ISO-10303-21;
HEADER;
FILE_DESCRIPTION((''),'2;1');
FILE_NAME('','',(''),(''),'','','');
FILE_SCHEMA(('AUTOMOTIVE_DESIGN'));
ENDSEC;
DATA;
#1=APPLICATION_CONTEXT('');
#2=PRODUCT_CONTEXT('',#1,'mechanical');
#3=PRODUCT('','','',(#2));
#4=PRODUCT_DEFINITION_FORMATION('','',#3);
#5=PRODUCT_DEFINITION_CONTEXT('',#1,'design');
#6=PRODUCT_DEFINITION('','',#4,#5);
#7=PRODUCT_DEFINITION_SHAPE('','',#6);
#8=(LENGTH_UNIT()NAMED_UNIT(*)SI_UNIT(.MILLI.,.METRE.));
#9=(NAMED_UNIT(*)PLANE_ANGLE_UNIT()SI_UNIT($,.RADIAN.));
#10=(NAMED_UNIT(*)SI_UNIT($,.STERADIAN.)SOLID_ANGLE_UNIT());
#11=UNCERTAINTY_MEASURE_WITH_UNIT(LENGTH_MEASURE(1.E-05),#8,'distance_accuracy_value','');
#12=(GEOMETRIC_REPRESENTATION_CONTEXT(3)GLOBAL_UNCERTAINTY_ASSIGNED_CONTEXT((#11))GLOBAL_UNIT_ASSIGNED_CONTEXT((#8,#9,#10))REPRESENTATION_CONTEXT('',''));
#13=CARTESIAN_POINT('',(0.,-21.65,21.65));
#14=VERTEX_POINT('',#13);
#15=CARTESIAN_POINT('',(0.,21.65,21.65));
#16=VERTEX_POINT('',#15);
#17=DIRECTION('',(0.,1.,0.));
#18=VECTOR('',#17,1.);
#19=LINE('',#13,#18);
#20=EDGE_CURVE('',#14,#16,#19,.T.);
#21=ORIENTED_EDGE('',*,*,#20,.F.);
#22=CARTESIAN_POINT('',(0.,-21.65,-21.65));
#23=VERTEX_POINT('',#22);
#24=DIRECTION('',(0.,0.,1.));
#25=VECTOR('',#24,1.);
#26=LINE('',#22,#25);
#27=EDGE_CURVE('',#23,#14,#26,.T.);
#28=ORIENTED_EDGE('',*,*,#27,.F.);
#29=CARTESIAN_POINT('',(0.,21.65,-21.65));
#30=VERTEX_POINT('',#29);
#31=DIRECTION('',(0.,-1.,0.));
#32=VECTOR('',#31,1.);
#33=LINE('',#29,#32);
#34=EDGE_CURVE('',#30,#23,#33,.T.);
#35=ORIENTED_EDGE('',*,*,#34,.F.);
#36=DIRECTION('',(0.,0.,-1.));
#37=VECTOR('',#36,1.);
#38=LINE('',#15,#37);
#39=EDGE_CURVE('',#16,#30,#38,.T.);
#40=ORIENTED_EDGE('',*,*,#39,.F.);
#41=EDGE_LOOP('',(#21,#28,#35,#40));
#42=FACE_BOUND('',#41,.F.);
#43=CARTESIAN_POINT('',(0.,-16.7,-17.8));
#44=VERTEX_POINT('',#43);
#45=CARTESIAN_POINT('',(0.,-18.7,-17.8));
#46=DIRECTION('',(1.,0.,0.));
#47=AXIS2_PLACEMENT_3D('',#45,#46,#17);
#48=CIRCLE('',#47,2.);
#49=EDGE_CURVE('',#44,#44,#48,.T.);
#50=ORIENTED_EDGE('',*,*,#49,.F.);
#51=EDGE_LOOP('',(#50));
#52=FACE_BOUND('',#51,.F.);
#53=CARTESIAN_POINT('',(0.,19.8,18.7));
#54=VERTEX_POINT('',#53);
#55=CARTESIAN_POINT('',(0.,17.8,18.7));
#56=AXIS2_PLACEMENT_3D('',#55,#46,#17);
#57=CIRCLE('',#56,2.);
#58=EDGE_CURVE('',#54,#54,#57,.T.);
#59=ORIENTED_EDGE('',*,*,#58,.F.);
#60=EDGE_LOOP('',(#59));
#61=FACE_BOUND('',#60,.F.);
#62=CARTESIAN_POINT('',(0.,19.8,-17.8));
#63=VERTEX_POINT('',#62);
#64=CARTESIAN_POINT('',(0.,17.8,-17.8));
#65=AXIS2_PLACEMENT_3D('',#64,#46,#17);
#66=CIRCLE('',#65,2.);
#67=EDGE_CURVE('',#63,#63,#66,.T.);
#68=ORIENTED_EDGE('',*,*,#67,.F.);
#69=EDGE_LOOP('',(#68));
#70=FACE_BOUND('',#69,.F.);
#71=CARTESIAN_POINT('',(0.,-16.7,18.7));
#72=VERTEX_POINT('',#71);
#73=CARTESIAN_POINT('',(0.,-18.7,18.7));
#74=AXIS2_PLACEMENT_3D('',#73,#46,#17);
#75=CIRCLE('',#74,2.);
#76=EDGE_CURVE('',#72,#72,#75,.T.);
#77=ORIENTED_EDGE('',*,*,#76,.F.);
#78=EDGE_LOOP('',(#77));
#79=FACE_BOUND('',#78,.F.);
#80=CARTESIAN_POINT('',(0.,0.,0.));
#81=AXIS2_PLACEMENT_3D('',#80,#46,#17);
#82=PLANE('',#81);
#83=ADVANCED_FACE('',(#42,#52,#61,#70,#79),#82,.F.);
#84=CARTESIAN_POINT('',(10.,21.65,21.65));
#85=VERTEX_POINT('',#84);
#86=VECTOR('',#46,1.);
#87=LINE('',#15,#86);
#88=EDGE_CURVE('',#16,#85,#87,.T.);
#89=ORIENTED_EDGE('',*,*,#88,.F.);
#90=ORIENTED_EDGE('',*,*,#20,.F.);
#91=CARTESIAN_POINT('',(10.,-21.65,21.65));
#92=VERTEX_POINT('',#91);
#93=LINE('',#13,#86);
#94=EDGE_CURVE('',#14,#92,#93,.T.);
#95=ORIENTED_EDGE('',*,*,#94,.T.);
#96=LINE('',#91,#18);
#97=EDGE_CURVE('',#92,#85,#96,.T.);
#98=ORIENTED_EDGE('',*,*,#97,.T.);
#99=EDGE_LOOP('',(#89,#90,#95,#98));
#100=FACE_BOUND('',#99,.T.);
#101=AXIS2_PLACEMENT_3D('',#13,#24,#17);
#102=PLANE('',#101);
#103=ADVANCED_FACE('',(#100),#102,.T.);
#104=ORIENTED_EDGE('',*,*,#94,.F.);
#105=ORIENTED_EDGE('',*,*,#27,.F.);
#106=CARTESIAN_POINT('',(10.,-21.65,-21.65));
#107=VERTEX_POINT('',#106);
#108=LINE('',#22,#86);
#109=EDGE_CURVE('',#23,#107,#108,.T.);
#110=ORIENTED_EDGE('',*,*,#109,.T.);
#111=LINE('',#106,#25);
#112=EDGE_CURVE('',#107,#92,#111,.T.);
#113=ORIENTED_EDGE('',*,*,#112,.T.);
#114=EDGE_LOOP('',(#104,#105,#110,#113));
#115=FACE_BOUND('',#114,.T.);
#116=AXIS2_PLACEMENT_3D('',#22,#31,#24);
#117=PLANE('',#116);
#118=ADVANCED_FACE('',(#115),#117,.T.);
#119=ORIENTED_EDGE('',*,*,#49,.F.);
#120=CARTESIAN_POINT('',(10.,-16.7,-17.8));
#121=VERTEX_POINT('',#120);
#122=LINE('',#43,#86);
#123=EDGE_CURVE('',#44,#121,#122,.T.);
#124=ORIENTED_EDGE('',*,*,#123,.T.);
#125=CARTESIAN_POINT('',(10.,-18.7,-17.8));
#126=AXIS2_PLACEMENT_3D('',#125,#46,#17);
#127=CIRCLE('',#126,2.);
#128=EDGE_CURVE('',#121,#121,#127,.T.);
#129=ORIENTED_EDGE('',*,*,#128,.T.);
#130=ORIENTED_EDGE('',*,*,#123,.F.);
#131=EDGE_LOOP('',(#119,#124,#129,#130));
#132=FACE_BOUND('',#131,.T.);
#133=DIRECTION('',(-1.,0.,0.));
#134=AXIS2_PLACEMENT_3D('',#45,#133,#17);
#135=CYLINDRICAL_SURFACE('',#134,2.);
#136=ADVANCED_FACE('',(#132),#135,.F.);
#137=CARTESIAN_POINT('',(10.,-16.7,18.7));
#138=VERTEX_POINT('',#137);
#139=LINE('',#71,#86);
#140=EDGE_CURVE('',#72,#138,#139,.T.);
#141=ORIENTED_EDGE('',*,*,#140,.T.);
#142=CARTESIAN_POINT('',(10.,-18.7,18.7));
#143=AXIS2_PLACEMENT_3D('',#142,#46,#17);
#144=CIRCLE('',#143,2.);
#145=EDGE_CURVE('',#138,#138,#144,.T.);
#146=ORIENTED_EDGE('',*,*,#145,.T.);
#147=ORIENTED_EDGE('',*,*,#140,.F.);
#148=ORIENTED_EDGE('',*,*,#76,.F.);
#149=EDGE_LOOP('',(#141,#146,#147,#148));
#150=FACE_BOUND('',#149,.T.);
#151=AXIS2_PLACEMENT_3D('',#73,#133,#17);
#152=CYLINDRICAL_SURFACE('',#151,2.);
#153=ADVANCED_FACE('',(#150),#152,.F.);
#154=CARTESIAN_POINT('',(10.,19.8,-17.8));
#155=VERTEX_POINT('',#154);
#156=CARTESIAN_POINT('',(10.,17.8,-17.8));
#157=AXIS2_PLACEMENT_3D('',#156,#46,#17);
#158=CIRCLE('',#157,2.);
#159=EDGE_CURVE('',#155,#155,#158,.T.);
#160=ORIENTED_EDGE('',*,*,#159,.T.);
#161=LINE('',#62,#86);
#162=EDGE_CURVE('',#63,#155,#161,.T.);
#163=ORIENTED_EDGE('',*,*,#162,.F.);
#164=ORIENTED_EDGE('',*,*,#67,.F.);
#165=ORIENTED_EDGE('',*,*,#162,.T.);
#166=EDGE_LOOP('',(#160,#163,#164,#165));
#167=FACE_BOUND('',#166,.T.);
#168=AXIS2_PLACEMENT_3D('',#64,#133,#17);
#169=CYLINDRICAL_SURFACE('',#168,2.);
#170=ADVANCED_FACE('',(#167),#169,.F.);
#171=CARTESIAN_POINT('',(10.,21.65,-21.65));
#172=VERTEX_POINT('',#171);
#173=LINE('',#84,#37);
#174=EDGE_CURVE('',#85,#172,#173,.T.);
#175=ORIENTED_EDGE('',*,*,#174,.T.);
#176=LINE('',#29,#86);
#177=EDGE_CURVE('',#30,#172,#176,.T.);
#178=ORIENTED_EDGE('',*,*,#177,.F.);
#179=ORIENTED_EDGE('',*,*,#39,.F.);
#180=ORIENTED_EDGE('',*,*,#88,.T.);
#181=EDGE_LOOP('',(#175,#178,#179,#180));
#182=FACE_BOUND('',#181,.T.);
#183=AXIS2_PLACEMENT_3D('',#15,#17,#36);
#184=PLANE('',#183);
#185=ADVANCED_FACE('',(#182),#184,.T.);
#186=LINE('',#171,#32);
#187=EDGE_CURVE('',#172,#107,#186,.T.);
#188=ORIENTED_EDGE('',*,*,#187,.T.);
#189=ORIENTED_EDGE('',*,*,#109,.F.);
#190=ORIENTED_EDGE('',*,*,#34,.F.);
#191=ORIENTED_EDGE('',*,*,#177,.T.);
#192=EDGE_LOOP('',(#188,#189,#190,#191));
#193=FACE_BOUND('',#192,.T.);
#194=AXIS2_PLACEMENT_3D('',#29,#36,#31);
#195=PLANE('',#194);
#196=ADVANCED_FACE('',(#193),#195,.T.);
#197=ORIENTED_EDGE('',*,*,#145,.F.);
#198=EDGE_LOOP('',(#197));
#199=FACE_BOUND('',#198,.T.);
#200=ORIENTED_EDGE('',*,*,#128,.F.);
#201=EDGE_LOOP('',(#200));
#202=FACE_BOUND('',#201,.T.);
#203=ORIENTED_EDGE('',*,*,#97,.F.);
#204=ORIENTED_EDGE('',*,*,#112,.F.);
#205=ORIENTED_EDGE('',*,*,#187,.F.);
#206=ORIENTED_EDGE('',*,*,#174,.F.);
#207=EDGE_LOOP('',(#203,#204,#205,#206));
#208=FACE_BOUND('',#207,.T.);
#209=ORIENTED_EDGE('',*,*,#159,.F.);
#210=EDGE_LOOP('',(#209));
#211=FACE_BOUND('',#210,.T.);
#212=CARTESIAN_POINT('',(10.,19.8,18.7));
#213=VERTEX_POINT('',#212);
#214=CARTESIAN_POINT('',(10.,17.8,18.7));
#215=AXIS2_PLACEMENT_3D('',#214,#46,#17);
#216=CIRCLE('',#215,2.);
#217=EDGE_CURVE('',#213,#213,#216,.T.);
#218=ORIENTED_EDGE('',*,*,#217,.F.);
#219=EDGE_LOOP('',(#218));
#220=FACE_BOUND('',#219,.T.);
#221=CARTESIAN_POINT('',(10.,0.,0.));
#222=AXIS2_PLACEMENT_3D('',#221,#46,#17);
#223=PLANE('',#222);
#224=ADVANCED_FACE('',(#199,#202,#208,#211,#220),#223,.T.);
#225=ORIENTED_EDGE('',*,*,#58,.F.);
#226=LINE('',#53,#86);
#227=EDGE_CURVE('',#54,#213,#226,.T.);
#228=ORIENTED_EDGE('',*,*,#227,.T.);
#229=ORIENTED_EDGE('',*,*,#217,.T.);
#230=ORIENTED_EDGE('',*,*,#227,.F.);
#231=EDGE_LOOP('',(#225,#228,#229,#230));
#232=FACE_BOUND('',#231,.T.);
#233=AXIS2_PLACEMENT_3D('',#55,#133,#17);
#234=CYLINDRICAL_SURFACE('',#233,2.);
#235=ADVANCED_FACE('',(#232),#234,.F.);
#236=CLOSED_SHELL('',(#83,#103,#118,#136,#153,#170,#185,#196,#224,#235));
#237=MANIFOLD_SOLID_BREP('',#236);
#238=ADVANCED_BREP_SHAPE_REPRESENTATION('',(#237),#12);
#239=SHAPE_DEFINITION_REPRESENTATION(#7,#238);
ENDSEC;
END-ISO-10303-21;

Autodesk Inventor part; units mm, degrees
ref_plane "YZ Plane" through (0, 0, 0) normal (1, 0, 0) x (0, 1, 0)
ref_plane "XZ Plane" through (0, 0, 0) normal (0, 1, 0) x (-1, 0, 0)
ref_plane "XY Plane" through (0, 0, 0) normal (0, 0, 1) x (1, 0, 0)
sketch "스케치1" plane through (0, 0, 0) normal (1, 0, 0) x (0, 1, 0)
  line L0 (-21.65, 21.65) -> (21.65, 21.65)
  line L1 (21.65, 21.65) -> (21.65, -21.65)
  line L2 (21.65, -21.65) -> (-21.65, -21.65)
  line L3 (-21.65, -21.65) -> (-21.65, 21.65)
  line L4 (-21.65, 21.65) -> (21.65, -21.65) construction
  line L5 (21.65, 21.65) -> (-21.65, -21.65) construction
  circle A0 centre (17.8, -17.8) radius 2
  line L6 (0, 0) -> (21.65, 0) construction
  line L7 (0, -21.65) -> (0, 0) construction
  circle A1 centre (17.8, 18.7) radius 2
  circle A2 centre (-18.7, -17.8) radius 2
  circle A3 centre (-18.7, 18.7) radius 2
  dimension "d0" = 43.3
  dimension "d1" = 43.3
  dimension "d4" = 4
  dimension "d5" = 17.8
  dimension "d8" = 36.5
  dimension "d11" = 36.5
extrude "돌출1" add sketch "스케치1" along normal blind 10
properties part number "SAFRS-P-0005"
